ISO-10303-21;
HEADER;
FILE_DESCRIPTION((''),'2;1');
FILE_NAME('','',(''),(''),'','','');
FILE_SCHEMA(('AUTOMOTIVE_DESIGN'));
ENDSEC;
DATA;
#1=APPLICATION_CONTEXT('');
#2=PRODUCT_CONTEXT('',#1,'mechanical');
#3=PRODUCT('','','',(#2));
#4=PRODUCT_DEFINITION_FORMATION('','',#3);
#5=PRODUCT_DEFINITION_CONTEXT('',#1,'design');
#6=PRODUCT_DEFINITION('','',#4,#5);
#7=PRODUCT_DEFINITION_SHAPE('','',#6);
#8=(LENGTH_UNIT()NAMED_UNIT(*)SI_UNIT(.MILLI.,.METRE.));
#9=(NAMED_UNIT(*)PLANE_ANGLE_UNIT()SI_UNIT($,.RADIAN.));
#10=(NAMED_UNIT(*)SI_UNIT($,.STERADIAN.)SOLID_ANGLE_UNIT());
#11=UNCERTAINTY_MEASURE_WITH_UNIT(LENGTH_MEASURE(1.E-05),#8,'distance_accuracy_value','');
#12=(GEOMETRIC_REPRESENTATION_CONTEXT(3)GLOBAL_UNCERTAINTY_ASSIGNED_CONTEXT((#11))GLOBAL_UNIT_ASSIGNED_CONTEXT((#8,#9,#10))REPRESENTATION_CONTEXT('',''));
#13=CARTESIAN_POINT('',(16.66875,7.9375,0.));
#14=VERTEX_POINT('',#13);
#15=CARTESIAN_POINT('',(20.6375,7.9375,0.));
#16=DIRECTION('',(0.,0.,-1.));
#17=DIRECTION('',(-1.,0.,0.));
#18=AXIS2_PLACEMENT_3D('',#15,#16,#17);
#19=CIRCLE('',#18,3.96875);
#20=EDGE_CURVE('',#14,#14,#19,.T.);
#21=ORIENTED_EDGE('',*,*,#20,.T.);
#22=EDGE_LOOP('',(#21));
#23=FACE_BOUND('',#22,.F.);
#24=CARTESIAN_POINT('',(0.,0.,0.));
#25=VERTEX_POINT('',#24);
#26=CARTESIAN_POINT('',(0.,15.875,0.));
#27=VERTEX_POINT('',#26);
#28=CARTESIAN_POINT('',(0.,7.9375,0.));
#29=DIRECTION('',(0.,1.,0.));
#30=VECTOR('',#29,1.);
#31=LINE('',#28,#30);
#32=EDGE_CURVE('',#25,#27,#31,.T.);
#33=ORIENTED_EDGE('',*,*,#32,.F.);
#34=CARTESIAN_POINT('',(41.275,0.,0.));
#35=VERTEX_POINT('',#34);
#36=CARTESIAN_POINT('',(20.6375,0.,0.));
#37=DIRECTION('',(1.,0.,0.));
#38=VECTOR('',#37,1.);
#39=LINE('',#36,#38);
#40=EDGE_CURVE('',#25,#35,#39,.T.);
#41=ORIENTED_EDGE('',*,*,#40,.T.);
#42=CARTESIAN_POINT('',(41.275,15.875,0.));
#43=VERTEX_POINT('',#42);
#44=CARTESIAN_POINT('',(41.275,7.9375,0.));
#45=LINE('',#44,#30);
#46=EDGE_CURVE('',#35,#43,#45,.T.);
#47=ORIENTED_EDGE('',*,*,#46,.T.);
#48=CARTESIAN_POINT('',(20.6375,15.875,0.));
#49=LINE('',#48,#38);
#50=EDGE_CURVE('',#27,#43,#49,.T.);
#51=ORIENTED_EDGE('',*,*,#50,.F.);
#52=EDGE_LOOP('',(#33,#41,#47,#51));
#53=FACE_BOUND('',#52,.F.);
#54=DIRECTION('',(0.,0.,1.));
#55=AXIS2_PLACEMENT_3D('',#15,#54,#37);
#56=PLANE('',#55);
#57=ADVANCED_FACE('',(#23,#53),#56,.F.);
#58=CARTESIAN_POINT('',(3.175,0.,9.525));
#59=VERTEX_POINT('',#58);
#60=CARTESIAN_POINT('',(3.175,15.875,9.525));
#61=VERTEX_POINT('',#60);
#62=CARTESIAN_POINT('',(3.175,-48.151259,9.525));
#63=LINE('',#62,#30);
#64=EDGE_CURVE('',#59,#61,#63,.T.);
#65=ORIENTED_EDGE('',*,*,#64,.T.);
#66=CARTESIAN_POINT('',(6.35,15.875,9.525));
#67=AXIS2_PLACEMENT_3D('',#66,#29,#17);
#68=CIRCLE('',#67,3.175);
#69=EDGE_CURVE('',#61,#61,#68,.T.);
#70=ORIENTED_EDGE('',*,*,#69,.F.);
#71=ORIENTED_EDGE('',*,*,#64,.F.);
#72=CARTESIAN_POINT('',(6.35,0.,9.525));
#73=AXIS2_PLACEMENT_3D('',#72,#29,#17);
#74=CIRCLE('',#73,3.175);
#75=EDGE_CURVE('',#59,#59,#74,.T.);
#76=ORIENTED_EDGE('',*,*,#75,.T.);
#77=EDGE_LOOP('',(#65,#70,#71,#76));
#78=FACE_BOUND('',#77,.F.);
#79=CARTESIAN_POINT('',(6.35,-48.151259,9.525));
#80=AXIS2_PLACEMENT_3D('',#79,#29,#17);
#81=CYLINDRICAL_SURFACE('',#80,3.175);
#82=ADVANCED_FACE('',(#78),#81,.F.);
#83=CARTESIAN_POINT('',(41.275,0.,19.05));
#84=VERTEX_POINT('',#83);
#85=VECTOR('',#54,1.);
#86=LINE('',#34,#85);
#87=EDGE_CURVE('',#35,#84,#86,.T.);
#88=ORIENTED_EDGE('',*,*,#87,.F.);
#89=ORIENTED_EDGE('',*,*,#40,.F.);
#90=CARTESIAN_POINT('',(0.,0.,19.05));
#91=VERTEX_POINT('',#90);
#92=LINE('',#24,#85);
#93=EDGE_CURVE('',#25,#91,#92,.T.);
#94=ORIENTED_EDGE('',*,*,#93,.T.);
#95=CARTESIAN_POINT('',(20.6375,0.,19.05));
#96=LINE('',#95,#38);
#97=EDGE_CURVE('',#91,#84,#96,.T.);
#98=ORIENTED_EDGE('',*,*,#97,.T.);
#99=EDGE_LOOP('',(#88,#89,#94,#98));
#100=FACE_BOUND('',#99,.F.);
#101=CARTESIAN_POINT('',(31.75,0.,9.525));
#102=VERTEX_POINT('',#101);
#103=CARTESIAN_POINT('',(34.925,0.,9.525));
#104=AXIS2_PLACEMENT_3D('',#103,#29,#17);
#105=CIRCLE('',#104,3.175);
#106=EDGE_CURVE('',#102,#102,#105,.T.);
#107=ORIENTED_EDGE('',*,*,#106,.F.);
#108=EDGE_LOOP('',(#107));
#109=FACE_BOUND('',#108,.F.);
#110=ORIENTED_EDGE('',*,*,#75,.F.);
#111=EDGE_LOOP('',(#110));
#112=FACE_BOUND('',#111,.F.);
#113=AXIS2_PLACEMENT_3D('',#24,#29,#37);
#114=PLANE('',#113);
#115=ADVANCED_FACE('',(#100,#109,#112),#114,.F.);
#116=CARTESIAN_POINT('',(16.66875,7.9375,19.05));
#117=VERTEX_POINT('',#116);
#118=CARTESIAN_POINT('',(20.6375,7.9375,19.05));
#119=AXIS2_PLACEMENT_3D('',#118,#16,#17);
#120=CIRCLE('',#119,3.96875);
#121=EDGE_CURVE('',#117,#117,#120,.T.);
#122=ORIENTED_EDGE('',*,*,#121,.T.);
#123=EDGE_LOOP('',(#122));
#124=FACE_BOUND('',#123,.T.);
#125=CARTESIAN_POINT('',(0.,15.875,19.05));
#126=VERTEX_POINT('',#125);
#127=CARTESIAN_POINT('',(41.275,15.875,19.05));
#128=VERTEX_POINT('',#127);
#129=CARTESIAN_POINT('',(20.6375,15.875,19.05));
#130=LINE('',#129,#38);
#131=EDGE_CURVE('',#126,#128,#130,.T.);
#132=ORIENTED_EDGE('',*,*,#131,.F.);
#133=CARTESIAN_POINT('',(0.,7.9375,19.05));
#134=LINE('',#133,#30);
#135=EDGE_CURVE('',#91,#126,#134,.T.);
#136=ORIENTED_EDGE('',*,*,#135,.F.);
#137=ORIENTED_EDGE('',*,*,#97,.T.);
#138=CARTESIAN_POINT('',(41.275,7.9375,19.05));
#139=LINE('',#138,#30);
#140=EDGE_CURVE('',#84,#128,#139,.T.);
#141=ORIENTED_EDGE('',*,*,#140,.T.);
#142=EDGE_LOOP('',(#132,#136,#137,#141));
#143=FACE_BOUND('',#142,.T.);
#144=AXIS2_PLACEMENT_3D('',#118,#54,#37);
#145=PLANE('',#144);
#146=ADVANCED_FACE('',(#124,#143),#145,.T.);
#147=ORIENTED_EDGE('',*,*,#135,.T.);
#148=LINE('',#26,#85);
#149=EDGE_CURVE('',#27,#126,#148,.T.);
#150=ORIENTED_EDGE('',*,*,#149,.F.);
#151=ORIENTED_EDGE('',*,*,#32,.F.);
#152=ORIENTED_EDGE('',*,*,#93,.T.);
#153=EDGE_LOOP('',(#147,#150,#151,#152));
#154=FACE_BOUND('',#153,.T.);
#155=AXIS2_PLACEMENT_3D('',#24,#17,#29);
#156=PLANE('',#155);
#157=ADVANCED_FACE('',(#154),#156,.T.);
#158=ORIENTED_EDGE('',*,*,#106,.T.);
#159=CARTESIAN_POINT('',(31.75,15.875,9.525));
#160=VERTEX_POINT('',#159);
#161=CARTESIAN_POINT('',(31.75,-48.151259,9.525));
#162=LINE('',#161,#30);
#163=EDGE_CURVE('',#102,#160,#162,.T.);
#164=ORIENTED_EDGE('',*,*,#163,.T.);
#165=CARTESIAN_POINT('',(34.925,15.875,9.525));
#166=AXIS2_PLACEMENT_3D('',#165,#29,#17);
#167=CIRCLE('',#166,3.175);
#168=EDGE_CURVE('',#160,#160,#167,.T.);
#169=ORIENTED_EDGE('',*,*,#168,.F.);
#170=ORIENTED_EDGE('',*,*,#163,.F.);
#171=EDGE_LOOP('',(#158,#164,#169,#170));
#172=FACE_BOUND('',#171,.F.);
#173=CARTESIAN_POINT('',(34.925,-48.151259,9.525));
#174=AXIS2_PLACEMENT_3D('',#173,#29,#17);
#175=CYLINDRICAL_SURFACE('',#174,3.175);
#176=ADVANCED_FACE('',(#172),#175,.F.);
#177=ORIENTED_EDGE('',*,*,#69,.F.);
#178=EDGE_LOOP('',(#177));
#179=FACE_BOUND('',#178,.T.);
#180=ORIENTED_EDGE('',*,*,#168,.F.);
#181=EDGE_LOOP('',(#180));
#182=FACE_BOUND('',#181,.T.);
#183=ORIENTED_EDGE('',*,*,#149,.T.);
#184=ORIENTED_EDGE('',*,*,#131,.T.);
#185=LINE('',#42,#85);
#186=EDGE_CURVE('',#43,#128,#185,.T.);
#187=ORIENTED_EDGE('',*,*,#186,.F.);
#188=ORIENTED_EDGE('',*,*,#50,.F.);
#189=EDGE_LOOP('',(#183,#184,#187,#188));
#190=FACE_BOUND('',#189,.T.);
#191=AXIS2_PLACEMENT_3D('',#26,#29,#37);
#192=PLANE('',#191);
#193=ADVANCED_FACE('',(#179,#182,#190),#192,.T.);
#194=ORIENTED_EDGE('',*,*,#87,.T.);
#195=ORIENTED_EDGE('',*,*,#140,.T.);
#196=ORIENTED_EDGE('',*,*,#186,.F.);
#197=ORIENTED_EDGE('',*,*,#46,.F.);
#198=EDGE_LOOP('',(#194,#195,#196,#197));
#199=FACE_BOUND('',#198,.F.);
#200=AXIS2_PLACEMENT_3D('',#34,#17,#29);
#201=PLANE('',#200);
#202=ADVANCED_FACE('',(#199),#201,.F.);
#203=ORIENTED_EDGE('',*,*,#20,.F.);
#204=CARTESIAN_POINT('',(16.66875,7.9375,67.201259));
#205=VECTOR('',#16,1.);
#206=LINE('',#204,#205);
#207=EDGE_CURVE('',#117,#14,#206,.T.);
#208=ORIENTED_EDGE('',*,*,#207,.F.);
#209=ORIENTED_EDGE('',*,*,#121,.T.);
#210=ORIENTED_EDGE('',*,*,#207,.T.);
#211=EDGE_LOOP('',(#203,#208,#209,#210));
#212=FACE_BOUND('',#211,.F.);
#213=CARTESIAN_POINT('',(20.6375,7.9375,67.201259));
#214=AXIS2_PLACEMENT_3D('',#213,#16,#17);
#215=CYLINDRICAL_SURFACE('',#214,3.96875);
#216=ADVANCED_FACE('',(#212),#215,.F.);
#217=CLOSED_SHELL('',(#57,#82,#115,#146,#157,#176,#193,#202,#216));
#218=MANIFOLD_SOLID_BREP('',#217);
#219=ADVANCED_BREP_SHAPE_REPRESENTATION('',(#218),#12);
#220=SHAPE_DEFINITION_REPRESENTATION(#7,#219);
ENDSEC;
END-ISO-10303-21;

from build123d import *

# Parameters (mm, degrees)
F0_W     = 41.275
F0_H     = 15.875
F1_DEPTH = 19.05
F3_D     = 7.9375
F5_D     = 6.35


with BuildPart() as f1:
    # F0 (on Top) → F1 (new body)
    with BuildSketch(Plane.XY):
        with Locations((20.6375, 7.9375)):
            Rectangle(F0_W, F0_H)
    extrude(amount=F1_DEPTH)

    # F3 (through all)
    with Locations(Plane.XY.offset(19.05)):
        with Locations((20.6375, 7.9375)):
            Hole(F3_D / 2)

    # F5 (through all)
    with Locations(Plane.XZ):
        with Locations((6.35, 9.525), (34.925, 9.525)):
            Hole(F5_D / 2)


solid = f1.part
